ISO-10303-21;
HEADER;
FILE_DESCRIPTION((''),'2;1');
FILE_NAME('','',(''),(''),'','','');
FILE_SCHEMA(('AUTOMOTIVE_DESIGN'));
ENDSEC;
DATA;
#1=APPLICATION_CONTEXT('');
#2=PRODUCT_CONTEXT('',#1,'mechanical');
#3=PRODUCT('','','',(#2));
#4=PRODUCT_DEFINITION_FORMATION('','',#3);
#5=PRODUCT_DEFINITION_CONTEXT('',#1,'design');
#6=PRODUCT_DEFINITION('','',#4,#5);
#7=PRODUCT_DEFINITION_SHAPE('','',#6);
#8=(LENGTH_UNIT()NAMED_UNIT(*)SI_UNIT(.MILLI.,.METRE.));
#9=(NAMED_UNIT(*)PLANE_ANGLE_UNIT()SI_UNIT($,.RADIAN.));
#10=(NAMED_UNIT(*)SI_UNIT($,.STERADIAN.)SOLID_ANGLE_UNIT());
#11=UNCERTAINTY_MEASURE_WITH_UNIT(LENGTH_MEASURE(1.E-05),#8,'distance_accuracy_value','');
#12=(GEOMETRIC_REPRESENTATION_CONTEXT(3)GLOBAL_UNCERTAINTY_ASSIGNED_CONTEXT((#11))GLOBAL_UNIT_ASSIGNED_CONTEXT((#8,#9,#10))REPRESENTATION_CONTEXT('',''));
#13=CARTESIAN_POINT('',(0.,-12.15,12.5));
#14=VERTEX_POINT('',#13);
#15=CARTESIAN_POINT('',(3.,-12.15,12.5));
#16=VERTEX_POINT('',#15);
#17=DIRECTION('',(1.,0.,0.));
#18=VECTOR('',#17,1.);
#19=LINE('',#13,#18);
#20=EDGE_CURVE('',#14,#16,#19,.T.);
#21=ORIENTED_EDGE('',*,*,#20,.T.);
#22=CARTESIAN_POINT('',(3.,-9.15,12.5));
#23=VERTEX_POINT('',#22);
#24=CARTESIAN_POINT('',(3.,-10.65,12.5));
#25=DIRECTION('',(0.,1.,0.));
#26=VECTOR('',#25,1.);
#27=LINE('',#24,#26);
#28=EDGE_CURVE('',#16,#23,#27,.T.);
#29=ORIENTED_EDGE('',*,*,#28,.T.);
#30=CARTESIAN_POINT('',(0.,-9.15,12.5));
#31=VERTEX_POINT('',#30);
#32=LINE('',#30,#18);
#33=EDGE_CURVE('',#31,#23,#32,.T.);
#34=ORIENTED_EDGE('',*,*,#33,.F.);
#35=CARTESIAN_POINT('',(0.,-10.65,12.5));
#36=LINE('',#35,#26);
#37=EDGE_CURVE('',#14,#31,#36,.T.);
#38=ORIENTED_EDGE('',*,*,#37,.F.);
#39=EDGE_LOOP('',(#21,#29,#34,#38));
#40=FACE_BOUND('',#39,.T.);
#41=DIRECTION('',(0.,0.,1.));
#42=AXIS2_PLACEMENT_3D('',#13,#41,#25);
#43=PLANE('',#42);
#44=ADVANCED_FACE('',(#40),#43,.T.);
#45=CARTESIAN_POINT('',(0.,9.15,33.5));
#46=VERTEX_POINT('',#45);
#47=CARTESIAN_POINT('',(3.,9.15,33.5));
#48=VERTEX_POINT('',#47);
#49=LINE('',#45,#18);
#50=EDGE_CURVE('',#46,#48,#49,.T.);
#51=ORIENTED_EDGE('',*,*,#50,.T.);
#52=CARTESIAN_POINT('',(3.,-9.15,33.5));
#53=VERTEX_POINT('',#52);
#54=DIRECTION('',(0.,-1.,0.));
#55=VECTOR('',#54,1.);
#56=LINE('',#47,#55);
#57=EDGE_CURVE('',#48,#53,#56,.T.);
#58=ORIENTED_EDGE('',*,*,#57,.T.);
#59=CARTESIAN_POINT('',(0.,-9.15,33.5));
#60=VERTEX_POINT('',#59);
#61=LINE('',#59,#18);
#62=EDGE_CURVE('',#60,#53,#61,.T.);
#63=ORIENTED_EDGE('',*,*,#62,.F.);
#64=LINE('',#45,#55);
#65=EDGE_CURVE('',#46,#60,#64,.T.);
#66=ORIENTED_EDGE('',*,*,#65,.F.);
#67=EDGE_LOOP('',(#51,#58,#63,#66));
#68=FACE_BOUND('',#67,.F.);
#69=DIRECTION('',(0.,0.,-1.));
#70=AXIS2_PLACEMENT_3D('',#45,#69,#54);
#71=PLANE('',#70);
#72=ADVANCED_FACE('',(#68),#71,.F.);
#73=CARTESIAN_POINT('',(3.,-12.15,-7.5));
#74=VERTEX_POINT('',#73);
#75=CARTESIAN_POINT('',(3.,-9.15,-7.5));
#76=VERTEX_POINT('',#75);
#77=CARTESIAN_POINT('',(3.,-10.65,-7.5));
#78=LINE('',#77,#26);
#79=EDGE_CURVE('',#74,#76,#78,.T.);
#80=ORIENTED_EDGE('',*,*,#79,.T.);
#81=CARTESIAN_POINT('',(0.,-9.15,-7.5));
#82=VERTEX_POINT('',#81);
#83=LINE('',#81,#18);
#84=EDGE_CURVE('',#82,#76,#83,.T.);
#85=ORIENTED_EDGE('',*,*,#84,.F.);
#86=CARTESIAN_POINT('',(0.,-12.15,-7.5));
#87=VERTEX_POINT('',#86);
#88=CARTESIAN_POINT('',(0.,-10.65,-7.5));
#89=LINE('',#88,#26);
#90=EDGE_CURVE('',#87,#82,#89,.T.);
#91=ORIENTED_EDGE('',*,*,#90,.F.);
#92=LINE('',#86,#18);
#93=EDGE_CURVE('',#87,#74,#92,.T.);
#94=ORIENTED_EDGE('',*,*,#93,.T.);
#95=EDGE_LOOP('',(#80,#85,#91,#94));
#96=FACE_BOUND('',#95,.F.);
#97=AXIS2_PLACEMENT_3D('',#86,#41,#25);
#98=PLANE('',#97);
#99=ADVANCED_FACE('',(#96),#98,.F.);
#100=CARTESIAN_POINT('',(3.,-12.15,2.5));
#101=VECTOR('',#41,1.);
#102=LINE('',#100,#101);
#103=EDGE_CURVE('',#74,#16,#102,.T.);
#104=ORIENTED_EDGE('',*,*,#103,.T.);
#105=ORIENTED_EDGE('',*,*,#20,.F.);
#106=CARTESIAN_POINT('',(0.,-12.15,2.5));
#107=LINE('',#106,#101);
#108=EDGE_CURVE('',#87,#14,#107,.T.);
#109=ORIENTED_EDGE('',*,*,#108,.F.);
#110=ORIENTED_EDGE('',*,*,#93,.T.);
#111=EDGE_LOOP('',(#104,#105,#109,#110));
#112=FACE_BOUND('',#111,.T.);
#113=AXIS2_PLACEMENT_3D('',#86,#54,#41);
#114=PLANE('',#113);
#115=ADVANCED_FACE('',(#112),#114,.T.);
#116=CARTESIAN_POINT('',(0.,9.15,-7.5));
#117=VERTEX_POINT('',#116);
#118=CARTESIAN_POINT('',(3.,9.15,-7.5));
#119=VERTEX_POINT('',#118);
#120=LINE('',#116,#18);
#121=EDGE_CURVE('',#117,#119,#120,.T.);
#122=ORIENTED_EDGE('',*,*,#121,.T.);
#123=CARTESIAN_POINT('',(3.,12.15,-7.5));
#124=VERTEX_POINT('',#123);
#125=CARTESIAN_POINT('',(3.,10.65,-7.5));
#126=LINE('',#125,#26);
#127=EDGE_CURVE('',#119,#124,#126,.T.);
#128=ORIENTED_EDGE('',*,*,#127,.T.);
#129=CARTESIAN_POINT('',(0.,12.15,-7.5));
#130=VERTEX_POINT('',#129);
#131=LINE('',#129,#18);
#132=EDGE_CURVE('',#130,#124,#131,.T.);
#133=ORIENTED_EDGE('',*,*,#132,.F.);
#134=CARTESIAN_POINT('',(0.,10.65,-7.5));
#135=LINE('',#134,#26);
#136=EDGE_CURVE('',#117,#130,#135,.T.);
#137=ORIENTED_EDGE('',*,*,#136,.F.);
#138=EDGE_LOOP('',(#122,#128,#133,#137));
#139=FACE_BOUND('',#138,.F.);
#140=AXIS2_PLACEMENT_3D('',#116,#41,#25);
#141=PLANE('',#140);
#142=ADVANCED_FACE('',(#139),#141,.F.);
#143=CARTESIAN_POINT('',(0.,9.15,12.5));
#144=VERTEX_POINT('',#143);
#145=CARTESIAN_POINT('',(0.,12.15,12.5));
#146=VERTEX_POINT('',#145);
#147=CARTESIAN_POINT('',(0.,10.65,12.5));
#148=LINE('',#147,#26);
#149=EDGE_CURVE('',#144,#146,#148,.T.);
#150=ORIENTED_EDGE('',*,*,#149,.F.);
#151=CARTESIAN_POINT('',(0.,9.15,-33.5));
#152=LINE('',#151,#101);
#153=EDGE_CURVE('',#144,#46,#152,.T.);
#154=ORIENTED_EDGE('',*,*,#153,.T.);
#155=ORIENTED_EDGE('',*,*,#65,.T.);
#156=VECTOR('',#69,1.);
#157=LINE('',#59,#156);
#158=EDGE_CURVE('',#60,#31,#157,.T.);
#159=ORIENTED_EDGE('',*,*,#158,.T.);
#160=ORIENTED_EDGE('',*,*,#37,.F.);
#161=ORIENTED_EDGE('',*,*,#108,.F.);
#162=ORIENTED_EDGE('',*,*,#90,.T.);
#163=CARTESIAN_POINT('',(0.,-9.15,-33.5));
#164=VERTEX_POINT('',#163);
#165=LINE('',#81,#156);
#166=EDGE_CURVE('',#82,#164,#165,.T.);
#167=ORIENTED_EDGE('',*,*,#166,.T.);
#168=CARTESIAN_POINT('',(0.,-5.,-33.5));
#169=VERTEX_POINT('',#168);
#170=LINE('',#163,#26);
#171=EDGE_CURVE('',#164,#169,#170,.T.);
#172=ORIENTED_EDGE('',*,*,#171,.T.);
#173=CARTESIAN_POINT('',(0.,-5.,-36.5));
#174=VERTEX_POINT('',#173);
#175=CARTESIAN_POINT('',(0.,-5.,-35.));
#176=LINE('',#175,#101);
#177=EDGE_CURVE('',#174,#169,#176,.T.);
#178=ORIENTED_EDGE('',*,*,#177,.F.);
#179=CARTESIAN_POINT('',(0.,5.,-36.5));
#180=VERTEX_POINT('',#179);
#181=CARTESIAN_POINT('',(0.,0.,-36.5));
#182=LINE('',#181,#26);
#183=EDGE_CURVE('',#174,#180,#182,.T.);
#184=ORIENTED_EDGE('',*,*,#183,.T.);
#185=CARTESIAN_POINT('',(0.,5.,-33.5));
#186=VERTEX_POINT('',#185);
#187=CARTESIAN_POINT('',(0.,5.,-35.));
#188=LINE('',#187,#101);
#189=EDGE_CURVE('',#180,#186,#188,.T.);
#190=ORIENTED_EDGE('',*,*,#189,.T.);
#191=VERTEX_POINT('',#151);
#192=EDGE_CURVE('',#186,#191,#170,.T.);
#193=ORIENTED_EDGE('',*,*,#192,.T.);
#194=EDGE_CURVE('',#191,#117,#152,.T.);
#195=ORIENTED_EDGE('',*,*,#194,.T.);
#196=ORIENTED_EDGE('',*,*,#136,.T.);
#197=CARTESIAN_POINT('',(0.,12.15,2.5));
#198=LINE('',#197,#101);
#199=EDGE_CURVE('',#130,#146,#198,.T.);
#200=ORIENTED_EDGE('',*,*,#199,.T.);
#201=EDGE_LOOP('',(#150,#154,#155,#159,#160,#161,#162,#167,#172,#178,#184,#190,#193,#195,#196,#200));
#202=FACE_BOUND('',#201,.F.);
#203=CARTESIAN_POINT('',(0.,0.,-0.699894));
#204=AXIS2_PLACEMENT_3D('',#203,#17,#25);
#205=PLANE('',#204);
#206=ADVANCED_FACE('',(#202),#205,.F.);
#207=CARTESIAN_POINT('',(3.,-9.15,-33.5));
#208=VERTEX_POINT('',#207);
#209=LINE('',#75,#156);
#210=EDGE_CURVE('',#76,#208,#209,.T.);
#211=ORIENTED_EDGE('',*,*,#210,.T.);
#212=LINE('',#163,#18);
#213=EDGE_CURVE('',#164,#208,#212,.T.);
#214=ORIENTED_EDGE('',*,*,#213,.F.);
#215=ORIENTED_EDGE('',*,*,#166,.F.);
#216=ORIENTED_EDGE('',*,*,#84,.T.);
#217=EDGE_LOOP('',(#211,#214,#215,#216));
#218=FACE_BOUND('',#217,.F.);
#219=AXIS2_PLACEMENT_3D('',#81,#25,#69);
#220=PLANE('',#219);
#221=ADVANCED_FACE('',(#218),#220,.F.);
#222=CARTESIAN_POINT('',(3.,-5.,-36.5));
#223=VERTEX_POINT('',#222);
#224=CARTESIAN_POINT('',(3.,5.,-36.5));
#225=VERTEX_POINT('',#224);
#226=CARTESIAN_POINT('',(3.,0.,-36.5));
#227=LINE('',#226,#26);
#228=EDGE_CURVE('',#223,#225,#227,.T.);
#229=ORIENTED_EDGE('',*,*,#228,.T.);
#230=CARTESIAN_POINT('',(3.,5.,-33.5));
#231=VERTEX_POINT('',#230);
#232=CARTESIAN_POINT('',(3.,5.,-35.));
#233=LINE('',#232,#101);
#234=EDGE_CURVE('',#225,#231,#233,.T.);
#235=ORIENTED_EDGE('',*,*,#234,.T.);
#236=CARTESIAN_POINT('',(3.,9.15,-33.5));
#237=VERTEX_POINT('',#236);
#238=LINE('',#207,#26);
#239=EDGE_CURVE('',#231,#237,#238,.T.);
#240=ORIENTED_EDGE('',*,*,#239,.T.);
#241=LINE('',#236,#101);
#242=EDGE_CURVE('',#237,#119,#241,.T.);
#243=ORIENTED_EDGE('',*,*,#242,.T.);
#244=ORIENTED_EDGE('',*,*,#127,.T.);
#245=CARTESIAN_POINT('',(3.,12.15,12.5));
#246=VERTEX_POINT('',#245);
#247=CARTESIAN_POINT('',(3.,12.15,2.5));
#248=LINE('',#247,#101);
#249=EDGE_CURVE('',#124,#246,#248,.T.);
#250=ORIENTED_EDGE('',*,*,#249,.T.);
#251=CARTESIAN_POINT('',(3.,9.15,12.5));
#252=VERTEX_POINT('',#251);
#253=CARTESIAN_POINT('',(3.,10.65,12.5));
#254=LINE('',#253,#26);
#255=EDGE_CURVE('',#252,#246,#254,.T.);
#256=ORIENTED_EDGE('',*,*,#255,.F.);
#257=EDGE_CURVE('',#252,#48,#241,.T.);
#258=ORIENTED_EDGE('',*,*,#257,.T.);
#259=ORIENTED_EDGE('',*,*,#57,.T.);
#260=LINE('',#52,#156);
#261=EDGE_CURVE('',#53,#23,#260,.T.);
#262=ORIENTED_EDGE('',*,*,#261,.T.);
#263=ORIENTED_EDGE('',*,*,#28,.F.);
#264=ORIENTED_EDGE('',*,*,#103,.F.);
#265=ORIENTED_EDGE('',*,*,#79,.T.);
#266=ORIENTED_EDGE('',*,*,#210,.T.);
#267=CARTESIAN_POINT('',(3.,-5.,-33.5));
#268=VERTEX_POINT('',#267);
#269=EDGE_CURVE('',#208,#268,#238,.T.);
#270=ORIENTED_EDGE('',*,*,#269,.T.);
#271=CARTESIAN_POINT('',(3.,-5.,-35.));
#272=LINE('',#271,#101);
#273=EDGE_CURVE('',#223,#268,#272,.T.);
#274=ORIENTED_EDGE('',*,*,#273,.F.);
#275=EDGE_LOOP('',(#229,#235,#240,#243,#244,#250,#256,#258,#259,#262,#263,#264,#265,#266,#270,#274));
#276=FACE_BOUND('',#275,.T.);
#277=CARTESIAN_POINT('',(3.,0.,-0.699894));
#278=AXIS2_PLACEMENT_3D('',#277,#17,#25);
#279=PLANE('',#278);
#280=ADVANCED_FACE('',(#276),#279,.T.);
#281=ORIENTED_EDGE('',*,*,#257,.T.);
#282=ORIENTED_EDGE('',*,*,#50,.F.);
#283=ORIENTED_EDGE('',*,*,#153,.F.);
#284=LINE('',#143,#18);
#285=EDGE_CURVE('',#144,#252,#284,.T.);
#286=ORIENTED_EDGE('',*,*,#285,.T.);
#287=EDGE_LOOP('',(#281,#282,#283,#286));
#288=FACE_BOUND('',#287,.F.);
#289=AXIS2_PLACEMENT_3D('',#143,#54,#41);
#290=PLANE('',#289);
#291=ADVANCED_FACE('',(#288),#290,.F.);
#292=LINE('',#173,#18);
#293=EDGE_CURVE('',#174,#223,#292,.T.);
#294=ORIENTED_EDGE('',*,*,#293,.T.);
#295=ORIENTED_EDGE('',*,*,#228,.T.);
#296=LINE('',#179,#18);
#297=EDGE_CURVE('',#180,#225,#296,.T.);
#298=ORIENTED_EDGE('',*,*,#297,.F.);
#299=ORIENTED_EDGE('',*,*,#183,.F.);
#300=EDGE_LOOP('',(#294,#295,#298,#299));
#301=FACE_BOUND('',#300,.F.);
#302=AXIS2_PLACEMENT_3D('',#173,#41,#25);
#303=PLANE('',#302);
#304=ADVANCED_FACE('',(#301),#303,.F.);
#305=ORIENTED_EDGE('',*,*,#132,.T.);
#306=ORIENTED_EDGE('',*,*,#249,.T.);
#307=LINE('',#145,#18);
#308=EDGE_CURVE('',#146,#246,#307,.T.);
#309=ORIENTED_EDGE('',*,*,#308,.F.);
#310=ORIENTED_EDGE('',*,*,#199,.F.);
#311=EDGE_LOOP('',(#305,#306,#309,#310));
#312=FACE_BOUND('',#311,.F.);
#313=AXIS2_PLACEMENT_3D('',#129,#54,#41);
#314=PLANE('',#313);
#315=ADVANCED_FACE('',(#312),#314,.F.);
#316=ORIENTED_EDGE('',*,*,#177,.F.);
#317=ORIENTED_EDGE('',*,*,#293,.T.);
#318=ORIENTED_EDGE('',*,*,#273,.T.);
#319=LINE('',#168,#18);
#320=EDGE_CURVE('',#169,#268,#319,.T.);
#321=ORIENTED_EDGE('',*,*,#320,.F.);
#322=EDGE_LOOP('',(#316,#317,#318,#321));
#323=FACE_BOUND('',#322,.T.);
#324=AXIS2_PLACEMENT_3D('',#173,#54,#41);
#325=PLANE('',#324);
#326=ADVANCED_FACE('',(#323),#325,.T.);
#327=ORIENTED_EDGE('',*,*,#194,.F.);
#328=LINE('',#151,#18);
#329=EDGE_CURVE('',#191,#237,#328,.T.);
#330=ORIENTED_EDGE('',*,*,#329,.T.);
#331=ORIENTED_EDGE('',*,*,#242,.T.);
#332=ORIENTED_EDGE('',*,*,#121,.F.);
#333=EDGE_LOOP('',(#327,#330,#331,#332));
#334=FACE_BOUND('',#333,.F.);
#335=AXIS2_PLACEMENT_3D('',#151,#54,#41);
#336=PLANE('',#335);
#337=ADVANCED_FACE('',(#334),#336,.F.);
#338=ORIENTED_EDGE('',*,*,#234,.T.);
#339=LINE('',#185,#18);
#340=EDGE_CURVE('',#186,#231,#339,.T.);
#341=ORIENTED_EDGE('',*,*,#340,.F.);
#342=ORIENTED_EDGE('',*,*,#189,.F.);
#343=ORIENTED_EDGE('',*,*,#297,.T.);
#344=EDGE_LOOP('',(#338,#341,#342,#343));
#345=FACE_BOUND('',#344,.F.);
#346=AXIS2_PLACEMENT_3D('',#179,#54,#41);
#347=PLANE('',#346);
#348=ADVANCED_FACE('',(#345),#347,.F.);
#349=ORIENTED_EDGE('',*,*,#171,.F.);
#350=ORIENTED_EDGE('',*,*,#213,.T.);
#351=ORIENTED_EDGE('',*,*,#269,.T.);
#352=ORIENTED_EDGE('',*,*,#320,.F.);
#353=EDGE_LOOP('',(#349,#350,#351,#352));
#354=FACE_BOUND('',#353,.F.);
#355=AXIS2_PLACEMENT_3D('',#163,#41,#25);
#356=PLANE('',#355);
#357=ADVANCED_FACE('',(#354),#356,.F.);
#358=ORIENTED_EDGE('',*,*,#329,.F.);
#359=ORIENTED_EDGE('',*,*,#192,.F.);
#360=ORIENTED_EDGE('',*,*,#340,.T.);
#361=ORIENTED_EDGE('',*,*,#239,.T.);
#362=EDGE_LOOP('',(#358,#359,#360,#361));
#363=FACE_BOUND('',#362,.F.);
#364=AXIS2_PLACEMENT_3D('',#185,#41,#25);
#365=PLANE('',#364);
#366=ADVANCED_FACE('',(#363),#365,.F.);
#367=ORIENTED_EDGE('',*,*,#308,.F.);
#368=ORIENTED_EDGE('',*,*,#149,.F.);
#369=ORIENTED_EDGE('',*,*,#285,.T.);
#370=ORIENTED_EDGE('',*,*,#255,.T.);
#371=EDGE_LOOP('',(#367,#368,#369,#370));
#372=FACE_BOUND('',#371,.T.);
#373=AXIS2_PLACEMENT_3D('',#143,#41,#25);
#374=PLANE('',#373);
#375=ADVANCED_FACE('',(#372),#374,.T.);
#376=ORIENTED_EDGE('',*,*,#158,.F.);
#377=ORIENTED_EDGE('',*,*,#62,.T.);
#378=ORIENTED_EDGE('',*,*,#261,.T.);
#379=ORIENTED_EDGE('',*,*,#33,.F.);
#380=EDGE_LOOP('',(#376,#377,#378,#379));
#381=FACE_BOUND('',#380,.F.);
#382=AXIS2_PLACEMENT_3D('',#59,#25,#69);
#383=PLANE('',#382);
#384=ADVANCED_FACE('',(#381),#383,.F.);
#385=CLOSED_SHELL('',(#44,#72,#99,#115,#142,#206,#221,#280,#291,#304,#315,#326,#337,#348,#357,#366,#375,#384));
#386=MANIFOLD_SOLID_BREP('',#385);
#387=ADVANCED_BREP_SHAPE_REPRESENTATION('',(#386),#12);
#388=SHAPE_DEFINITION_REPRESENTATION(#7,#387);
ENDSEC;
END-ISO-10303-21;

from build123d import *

# Parameters (mm, degrees)
F0_W     = 10
F0_H     = 3
F0_W_2   = 3
F0_H_2   = 20
F1_DEPTH = 3


with BuildPart() as f1:
    # F0 (on Right) → F1 (new body)
    with BuildSketch(Plane.YZ):
        Polygon((-9.15, -7.5), (-9.15, -33.5), (-5, -33.5), (-5, -30.5), (5, -30.5), (5, -33.5), (9.15, -33.5), (9.15, -7.5), (6.15, -7.5), (6.15, 12.5), (9.15, 12.5), (9.15, 33.5), (-9.15, 33.5), (-9.15, 12.5), (-6.15, 12.5), (-6.15, -7.5), align=None)
        with Locations((0, -32)):
            Rectangle(F0_W, F0_H)
        with Locations((0, -35)):
            Rectangle(F0_W, F0_H)
        with Locations((-10.65, 2.5)):
            Rectangle(F0_W_2, F0_H_2)
        with Locations((-7.65, 2.5)):
            Rectangle(F0_W_2, F0_H_2)
        with Locations((7.65, 2.5)):
            Rectangle(F0_W_2, F0_H_2)
        with Locations((10.65, 2.5)):
            Rectangle(F0_W_2, F0_H_2)
    extrude(amount=F1_DEPTH)


solid = f1.part
